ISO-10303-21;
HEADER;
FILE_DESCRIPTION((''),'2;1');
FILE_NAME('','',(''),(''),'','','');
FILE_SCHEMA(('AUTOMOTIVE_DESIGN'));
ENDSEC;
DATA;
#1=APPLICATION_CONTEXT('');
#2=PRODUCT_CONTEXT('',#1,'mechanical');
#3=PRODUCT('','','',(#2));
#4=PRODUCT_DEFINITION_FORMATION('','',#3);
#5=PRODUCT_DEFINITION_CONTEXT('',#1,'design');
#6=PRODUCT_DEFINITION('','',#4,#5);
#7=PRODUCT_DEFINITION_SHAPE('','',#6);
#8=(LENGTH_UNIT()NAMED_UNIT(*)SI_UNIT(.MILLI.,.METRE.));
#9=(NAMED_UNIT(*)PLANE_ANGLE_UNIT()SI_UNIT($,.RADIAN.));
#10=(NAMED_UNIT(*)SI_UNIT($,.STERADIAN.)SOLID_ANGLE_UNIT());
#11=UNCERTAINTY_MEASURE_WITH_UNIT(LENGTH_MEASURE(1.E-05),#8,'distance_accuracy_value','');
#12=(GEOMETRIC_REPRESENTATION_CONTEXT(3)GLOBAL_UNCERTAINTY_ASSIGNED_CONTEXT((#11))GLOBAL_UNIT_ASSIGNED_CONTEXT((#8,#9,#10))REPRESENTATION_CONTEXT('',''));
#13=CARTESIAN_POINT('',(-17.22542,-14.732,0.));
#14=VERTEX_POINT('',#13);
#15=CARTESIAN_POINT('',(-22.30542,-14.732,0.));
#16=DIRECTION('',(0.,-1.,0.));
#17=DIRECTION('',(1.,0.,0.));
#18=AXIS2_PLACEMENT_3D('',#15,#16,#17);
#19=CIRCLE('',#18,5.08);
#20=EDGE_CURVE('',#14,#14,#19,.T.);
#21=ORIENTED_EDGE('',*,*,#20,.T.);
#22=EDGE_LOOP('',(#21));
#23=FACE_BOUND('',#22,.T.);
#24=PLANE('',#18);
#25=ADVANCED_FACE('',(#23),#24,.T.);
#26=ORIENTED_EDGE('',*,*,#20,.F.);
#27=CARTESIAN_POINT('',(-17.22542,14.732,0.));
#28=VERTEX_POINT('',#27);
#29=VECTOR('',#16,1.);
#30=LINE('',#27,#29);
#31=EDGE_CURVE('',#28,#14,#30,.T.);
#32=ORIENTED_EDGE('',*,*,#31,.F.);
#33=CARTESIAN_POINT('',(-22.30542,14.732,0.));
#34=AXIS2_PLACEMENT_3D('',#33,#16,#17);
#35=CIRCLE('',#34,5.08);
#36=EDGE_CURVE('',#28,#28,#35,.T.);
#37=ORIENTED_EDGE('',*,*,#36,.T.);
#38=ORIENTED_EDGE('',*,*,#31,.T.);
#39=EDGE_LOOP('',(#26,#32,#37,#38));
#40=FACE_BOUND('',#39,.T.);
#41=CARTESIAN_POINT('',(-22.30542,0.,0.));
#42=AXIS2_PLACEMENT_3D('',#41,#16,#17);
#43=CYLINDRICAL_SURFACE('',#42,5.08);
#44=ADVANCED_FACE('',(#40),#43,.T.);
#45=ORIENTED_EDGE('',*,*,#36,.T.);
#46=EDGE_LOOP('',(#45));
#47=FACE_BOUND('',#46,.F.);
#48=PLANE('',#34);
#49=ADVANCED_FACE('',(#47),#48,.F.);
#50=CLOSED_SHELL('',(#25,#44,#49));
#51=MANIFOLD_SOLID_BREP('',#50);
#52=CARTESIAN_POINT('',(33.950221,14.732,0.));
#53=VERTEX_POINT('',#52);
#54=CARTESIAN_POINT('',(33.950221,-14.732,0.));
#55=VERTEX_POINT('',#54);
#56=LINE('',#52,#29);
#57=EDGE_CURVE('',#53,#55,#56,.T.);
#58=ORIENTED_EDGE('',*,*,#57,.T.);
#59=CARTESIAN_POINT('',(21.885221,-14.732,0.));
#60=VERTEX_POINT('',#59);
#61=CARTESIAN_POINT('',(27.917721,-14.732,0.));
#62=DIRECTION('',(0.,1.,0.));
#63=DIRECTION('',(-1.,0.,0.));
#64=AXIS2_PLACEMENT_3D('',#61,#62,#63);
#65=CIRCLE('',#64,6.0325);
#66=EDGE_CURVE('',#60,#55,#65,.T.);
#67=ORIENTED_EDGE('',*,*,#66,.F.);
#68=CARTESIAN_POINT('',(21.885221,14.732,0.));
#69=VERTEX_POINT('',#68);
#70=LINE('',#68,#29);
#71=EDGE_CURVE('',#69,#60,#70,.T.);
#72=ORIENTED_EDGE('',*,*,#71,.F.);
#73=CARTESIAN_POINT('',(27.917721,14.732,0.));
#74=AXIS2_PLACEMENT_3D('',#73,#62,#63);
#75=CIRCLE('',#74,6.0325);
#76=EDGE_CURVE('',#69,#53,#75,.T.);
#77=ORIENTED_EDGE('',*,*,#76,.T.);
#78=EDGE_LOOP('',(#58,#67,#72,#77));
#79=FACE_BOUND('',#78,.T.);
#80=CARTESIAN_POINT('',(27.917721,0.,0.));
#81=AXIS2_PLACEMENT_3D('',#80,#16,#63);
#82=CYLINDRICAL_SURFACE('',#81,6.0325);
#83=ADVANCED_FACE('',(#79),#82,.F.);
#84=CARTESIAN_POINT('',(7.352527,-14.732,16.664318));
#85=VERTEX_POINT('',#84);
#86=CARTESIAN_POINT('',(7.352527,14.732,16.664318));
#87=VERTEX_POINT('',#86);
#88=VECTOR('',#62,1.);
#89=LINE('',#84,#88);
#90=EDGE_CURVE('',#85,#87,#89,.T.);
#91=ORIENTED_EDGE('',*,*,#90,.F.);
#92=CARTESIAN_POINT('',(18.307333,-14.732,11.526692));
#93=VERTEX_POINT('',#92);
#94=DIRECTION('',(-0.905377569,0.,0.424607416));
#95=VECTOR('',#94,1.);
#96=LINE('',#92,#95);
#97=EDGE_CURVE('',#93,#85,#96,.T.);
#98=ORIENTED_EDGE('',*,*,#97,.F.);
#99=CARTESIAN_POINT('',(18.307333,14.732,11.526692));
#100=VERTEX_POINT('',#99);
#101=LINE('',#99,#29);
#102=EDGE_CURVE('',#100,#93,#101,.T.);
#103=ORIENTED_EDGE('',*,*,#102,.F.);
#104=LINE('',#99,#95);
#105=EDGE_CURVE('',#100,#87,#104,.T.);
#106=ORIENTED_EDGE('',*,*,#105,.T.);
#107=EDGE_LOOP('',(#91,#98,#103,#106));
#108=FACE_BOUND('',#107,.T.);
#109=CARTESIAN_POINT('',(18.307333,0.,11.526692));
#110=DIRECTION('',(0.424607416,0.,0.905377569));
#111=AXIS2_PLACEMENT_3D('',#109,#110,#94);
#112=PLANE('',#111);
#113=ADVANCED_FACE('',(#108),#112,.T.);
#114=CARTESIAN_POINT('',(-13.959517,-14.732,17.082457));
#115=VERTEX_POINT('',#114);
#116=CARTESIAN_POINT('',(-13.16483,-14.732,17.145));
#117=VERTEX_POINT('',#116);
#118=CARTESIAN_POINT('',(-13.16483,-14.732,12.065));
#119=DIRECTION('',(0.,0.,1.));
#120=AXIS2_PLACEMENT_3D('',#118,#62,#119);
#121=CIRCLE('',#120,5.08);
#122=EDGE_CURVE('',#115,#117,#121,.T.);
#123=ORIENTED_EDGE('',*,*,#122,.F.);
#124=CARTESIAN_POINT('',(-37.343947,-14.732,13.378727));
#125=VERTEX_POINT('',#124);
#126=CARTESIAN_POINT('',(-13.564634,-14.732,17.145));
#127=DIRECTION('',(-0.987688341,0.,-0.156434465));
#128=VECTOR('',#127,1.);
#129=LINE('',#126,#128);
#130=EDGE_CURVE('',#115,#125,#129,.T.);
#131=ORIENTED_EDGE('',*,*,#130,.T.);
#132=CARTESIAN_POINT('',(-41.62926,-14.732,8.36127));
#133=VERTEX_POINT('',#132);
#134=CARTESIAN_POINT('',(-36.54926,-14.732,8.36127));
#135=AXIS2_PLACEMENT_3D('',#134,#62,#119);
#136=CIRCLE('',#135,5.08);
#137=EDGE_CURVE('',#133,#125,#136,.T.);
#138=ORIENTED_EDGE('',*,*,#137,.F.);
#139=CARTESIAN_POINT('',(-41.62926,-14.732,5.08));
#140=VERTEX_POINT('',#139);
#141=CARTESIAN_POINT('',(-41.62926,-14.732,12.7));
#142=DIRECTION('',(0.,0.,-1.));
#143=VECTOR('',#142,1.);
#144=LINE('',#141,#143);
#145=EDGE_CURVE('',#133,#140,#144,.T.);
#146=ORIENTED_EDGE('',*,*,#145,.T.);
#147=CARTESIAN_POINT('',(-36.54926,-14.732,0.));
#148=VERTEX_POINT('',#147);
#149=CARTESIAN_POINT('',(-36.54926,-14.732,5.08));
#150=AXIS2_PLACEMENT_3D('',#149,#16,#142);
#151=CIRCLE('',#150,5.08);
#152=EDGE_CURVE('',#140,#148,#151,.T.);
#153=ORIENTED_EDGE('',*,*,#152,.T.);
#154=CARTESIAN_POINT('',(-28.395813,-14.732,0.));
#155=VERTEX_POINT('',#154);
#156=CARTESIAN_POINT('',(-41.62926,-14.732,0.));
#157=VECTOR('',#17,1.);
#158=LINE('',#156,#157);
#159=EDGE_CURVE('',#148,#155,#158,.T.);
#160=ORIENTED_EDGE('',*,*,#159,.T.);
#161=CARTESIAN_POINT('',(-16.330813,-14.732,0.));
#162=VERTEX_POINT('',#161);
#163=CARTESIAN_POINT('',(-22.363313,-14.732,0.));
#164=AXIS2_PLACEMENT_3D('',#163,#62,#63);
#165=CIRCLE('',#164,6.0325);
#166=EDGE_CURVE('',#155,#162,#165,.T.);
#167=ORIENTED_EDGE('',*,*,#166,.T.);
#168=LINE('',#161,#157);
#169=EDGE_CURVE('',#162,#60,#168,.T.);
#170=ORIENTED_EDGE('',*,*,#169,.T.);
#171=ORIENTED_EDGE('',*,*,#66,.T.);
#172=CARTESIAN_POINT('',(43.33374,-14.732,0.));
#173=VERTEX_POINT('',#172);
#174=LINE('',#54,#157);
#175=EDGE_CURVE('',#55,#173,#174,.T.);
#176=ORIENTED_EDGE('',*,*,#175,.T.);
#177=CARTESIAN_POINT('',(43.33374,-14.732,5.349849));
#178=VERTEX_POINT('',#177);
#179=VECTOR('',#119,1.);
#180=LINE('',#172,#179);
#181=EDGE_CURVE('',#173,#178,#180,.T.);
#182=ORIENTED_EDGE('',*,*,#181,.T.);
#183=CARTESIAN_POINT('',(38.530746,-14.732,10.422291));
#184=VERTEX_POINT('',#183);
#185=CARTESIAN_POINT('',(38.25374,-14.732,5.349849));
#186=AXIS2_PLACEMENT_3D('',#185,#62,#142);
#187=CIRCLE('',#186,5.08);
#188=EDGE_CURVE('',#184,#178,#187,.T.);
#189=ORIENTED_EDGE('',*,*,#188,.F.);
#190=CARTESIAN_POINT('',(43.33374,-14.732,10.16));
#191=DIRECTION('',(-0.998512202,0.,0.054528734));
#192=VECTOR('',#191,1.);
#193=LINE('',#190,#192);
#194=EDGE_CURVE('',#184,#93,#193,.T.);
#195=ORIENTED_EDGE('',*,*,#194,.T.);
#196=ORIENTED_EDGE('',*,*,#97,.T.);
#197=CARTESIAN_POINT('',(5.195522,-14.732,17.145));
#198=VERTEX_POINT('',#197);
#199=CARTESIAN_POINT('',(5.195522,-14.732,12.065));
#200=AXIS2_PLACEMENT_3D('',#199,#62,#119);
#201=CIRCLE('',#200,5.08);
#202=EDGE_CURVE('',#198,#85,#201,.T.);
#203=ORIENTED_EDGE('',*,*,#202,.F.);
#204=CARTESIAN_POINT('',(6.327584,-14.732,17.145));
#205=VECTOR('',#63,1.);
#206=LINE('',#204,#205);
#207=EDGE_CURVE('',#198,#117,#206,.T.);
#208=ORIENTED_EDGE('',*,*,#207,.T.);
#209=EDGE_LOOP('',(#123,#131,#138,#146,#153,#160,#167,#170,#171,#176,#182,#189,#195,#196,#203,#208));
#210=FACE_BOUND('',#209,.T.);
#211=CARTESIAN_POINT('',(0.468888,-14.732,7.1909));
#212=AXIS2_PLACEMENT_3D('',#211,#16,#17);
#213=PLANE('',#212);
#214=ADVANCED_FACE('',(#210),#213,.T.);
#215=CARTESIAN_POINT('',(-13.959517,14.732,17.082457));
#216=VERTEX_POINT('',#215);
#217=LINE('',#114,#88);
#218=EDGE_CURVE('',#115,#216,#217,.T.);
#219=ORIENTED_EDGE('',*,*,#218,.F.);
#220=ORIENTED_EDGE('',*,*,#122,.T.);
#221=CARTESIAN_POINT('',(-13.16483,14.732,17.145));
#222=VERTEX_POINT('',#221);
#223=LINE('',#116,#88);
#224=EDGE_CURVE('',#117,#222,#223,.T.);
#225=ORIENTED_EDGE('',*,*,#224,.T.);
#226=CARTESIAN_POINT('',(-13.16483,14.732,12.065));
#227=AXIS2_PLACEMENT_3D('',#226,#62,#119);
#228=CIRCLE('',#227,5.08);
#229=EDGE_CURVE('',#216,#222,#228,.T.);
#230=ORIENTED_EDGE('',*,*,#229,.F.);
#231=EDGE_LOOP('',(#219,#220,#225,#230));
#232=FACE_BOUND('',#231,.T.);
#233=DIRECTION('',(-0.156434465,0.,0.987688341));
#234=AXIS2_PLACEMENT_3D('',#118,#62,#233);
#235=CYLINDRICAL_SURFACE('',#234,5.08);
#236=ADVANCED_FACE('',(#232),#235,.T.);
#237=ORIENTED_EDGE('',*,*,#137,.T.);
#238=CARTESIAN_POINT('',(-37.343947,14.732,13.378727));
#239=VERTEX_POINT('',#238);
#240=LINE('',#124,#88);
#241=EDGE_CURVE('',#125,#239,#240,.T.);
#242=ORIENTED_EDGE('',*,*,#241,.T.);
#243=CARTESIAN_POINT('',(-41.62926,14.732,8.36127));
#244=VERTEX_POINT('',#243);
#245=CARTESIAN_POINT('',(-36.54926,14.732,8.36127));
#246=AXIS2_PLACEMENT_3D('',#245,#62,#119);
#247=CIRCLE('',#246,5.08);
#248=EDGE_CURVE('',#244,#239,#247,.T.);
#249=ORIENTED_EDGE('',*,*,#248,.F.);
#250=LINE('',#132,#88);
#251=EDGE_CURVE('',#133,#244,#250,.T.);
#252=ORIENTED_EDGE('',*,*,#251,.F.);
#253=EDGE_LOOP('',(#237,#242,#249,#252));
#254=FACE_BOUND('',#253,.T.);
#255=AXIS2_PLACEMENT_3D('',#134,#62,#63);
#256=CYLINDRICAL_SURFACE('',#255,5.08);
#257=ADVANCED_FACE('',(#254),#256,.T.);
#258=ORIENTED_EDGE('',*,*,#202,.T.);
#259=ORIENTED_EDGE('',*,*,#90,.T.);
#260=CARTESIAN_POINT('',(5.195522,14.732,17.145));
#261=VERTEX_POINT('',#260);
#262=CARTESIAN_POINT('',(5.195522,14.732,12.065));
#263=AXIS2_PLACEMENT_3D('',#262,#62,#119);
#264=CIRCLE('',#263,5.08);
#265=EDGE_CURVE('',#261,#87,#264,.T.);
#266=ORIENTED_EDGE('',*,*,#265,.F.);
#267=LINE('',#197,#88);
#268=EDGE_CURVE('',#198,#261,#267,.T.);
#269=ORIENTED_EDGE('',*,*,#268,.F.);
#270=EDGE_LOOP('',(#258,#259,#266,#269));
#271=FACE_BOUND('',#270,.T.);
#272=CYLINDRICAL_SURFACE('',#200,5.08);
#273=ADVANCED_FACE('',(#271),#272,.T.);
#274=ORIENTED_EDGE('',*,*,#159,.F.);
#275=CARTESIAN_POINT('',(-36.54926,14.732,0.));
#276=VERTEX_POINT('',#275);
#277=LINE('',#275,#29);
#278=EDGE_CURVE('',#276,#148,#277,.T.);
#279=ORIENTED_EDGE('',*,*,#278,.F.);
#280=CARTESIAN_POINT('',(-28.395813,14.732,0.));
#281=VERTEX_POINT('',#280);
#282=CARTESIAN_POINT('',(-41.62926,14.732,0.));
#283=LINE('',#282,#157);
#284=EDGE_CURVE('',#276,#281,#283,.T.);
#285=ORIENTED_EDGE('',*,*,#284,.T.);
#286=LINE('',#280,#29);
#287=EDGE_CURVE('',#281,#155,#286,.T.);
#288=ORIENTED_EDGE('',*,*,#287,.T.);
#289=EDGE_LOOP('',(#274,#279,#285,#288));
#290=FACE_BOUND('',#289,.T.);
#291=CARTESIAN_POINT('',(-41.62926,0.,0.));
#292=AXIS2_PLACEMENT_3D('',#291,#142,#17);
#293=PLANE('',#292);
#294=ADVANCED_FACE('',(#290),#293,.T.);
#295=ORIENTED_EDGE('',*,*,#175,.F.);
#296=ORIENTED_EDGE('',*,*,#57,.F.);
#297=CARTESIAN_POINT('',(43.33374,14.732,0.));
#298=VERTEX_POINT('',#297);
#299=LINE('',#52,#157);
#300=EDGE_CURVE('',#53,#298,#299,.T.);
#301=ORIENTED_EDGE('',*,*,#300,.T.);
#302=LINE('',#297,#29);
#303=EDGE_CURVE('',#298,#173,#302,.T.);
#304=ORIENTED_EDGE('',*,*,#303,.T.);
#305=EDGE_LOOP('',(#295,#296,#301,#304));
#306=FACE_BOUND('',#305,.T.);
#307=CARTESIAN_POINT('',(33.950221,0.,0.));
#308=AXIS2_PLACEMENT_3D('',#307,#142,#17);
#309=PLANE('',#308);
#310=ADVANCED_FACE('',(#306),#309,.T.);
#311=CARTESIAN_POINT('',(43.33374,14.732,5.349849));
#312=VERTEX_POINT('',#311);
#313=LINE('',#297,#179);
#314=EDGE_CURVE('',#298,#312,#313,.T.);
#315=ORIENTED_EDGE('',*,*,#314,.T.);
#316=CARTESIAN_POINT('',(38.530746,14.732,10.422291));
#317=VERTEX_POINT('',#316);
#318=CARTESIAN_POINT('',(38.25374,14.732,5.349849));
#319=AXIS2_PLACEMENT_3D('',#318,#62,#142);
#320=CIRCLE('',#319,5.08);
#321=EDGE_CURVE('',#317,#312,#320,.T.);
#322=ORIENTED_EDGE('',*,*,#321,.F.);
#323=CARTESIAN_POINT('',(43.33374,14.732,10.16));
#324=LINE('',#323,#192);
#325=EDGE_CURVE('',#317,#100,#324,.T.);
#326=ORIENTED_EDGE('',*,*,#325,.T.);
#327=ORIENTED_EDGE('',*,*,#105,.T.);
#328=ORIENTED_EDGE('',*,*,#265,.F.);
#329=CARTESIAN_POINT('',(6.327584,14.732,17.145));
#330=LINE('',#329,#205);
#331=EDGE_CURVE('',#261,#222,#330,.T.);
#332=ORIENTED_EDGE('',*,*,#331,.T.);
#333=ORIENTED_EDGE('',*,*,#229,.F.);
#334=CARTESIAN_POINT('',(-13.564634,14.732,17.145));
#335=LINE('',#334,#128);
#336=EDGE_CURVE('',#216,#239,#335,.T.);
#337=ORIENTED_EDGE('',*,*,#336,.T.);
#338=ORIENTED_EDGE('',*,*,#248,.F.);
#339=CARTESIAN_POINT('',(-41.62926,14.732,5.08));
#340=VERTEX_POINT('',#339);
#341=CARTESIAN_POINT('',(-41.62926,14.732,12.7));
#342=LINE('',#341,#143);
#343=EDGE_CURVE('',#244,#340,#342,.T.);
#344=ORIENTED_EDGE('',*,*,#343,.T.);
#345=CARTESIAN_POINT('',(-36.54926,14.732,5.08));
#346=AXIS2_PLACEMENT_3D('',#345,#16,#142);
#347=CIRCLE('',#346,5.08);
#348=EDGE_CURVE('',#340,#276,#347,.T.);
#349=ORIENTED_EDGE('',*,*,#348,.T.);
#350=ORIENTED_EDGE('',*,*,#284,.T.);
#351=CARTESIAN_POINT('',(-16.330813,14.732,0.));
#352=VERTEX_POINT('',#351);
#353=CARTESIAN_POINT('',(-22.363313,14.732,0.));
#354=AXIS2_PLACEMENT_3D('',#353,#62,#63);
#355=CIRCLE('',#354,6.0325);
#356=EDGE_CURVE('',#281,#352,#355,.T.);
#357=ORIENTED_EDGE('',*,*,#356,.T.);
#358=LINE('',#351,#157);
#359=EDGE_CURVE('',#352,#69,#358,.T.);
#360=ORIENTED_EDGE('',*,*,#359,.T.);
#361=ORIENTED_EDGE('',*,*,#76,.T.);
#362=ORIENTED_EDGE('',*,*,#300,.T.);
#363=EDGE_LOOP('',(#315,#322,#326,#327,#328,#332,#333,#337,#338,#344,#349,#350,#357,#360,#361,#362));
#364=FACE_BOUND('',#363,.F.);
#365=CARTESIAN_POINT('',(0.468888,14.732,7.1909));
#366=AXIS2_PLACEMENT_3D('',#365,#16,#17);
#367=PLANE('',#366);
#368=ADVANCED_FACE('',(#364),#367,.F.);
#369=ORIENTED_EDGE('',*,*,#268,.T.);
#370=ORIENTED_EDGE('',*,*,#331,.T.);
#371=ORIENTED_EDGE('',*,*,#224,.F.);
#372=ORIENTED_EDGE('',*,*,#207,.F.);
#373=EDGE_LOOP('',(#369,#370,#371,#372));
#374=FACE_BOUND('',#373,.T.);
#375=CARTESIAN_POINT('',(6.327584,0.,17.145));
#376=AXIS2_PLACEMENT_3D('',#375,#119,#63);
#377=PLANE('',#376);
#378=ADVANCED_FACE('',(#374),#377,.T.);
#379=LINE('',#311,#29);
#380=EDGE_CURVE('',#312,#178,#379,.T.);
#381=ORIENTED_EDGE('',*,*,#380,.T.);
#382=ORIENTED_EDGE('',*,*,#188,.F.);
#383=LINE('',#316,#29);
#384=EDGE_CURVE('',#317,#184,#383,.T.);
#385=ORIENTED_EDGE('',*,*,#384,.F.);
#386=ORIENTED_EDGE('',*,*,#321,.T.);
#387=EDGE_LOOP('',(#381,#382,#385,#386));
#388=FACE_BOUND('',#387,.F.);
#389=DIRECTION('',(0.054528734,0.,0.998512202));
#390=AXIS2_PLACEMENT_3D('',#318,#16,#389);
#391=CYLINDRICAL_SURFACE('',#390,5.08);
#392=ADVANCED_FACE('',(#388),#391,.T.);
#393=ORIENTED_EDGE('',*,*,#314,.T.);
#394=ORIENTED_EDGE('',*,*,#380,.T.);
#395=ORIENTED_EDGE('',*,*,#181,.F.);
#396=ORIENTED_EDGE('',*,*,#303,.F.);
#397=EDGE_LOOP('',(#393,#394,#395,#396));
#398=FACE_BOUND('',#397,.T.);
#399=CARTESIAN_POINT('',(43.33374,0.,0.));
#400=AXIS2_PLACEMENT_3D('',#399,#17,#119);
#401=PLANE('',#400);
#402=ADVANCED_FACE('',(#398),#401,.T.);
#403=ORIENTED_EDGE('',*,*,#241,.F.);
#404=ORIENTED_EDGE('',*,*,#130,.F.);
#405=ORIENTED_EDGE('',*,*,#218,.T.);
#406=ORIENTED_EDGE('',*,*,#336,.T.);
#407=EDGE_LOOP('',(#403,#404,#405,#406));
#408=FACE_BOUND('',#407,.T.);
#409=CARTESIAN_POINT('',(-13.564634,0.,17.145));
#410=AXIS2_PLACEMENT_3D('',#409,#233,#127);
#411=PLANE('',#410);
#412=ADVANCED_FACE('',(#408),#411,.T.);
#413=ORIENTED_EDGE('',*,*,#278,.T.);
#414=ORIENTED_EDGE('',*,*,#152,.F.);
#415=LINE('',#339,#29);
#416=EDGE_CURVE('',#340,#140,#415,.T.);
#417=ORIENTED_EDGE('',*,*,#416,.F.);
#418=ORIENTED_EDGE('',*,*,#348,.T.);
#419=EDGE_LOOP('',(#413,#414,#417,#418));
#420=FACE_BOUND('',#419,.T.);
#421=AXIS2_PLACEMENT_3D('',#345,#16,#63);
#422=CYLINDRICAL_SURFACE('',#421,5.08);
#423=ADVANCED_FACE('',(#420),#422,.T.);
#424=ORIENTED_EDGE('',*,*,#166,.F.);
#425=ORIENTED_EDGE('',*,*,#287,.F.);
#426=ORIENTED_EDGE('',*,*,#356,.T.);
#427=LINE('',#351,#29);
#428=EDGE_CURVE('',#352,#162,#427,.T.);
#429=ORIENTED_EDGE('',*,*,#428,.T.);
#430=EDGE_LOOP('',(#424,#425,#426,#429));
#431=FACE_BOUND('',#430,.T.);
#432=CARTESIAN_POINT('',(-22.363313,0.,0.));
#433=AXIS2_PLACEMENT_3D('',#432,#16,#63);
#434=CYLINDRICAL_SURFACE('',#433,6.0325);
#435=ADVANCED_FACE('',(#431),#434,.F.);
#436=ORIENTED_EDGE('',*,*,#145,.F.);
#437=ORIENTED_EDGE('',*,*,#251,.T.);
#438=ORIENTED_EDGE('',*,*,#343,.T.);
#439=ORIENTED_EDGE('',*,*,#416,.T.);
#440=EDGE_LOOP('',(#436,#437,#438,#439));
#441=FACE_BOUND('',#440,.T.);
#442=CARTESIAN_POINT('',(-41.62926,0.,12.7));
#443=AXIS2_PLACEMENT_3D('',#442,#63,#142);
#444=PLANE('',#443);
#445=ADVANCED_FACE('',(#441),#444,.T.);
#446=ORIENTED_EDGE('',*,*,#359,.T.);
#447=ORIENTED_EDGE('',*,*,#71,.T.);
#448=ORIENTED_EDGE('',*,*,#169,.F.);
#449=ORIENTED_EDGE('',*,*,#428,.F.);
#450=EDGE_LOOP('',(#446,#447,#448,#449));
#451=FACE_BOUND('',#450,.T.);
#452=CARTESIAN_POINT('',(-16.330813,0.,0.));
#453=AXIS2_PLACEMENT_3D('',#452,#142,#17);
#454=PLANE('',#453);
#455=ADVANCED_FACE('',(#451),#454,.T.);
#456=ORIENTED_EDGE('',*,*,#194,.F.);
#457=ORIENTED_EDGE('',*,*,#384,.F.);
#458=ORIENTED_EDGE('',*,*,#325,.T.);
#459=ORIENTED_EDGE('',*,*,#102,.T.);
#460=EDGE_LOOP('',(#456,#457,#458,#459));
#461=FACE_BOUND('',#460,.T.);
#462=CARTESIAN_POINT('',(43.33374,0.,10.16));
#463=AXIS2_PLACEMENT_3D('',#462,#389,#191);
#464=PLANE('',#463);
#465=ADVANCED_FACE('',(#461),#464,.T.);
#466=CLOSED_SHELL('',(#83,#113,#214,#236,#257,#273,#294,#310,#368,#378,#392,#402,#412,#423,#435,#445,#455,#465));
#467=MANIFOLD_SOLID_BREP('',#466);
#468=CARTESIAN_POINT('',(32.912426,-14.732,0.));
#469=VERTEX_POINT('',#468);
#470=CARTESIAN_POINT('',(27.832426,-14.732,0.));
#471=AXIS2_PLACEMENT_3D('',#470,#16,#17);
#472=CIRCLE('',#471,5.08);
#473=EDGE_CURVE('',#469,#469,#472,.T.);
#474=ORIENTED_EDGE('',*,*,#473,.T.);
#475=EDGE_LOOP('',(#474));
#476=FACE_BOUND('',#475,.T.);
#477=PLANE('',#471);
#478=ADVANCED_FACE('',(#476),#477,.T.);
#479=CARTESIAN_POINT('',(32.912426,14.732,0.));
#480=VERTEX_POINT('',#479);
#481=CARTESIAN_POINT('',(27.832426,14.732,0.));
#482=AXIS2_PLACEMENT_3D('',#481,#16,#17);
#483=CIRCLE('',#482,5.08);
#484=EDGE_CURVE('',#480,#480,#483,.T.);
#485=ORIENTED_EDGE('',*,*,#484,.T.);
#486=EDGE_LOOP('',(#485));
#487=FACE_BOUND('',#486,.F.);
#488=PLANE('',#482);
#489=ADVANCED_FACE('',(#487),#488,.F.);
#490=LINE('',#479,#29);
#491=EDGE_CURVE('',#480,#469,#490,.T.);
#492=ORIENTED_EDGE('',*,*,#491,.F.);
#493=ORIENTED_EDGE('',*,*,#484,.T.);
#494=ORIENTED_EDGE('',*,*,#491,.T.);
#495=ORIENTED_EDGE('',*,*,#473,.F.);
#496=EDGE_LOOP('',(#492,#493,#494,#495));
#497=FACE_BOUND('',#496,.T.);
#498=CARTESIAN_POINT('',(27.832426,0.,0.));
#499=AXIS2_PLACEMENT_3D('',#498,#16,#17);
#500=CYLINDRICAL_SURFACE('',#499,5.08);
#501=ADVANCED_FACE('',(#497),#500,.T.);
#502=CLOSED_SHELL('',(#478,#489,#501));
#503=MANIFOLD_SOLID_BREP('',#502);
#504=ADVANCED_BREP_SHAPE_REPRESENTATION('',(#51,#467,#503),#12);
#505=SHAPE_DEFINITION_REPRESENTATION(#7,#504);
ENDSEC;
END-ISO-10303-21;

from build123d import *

# Parameters (mm, degrees)
F1_DEPTH = 14.732
F2_R     = 5.08
F3_DEPTH = 14.732
F4_R     = 5.08


with BuildPart() as f1:
    # F0 (on Front) → F1 (new body, symmetric)
    with BuildSketch(Plane.XZ):
        with BuildLine():
            Line((-41.6292596983, 12.7), (-41.6292596983, 0))
            Line((-41.6292596983, 0), (-28.3958129411, 0))
            ThreePointArc((-28.3958129411, 0), (-22.3633129411, 6.0325), (-16.3308129411, 0))
            Line((-16.3308129411, 0), (21.8852206534, 0))
            ThreePointArc((21.8852206534, 0), (27.9177206534, 6.0325), (33.9502206534, 0))
            Line((33.9502206534, 0), (43.3337403017, 0))
            Line((43.3337403017, 0), (43.3337403017, 10.16))
            Line((43.3337403017, 10.16), (18.307332794, 11.5266916706))
            Line((18.307332794, 11.5266916706), (6.327583626, 17.145))
            Line((6.327583626, 17.145), (-13.5646342155, 17.145))
            Line((-13.5646342155, 17.145), (-41.6292596983, 12.7))
        make_face()
    extrude(amount=F1_DEPTH, both=True)

    # F4
    f4_edges = [f1.edges().sort_by_distance(p)[0] for p in [
        (-41.62926, 0, 12.7),
        (43.33374, 0, 10.16),
        (6.327584, 0, 17.145),
        (-13.564634, 0, 17.145),
        (-41.62926, 0, 0),
    ]]
    fillet(f4_edges, radius=F4_R)


with BuildPart() as f3:
    # F2 (on Front) → F3 (new body, symmetric)
    with BuildSketch(Plane.XZ):
        with Locations((-22.3054196686, 0)):
            Circle(F2_R)
    extrude(amount=F3_DEPTH, both=True)


with BuildPart() as f3b:
    # F2 (on Front) → F3, piece 2 (new body, symmetric)
    with BuildSketch(Plane.XZ):
        with Locations((27.8324261308, 0)):
            Circle(F2_R)
    extrude(amount=F3_DEPTH, both=True)


solid = Compound([f1.part, f3.part, f3b.part])
